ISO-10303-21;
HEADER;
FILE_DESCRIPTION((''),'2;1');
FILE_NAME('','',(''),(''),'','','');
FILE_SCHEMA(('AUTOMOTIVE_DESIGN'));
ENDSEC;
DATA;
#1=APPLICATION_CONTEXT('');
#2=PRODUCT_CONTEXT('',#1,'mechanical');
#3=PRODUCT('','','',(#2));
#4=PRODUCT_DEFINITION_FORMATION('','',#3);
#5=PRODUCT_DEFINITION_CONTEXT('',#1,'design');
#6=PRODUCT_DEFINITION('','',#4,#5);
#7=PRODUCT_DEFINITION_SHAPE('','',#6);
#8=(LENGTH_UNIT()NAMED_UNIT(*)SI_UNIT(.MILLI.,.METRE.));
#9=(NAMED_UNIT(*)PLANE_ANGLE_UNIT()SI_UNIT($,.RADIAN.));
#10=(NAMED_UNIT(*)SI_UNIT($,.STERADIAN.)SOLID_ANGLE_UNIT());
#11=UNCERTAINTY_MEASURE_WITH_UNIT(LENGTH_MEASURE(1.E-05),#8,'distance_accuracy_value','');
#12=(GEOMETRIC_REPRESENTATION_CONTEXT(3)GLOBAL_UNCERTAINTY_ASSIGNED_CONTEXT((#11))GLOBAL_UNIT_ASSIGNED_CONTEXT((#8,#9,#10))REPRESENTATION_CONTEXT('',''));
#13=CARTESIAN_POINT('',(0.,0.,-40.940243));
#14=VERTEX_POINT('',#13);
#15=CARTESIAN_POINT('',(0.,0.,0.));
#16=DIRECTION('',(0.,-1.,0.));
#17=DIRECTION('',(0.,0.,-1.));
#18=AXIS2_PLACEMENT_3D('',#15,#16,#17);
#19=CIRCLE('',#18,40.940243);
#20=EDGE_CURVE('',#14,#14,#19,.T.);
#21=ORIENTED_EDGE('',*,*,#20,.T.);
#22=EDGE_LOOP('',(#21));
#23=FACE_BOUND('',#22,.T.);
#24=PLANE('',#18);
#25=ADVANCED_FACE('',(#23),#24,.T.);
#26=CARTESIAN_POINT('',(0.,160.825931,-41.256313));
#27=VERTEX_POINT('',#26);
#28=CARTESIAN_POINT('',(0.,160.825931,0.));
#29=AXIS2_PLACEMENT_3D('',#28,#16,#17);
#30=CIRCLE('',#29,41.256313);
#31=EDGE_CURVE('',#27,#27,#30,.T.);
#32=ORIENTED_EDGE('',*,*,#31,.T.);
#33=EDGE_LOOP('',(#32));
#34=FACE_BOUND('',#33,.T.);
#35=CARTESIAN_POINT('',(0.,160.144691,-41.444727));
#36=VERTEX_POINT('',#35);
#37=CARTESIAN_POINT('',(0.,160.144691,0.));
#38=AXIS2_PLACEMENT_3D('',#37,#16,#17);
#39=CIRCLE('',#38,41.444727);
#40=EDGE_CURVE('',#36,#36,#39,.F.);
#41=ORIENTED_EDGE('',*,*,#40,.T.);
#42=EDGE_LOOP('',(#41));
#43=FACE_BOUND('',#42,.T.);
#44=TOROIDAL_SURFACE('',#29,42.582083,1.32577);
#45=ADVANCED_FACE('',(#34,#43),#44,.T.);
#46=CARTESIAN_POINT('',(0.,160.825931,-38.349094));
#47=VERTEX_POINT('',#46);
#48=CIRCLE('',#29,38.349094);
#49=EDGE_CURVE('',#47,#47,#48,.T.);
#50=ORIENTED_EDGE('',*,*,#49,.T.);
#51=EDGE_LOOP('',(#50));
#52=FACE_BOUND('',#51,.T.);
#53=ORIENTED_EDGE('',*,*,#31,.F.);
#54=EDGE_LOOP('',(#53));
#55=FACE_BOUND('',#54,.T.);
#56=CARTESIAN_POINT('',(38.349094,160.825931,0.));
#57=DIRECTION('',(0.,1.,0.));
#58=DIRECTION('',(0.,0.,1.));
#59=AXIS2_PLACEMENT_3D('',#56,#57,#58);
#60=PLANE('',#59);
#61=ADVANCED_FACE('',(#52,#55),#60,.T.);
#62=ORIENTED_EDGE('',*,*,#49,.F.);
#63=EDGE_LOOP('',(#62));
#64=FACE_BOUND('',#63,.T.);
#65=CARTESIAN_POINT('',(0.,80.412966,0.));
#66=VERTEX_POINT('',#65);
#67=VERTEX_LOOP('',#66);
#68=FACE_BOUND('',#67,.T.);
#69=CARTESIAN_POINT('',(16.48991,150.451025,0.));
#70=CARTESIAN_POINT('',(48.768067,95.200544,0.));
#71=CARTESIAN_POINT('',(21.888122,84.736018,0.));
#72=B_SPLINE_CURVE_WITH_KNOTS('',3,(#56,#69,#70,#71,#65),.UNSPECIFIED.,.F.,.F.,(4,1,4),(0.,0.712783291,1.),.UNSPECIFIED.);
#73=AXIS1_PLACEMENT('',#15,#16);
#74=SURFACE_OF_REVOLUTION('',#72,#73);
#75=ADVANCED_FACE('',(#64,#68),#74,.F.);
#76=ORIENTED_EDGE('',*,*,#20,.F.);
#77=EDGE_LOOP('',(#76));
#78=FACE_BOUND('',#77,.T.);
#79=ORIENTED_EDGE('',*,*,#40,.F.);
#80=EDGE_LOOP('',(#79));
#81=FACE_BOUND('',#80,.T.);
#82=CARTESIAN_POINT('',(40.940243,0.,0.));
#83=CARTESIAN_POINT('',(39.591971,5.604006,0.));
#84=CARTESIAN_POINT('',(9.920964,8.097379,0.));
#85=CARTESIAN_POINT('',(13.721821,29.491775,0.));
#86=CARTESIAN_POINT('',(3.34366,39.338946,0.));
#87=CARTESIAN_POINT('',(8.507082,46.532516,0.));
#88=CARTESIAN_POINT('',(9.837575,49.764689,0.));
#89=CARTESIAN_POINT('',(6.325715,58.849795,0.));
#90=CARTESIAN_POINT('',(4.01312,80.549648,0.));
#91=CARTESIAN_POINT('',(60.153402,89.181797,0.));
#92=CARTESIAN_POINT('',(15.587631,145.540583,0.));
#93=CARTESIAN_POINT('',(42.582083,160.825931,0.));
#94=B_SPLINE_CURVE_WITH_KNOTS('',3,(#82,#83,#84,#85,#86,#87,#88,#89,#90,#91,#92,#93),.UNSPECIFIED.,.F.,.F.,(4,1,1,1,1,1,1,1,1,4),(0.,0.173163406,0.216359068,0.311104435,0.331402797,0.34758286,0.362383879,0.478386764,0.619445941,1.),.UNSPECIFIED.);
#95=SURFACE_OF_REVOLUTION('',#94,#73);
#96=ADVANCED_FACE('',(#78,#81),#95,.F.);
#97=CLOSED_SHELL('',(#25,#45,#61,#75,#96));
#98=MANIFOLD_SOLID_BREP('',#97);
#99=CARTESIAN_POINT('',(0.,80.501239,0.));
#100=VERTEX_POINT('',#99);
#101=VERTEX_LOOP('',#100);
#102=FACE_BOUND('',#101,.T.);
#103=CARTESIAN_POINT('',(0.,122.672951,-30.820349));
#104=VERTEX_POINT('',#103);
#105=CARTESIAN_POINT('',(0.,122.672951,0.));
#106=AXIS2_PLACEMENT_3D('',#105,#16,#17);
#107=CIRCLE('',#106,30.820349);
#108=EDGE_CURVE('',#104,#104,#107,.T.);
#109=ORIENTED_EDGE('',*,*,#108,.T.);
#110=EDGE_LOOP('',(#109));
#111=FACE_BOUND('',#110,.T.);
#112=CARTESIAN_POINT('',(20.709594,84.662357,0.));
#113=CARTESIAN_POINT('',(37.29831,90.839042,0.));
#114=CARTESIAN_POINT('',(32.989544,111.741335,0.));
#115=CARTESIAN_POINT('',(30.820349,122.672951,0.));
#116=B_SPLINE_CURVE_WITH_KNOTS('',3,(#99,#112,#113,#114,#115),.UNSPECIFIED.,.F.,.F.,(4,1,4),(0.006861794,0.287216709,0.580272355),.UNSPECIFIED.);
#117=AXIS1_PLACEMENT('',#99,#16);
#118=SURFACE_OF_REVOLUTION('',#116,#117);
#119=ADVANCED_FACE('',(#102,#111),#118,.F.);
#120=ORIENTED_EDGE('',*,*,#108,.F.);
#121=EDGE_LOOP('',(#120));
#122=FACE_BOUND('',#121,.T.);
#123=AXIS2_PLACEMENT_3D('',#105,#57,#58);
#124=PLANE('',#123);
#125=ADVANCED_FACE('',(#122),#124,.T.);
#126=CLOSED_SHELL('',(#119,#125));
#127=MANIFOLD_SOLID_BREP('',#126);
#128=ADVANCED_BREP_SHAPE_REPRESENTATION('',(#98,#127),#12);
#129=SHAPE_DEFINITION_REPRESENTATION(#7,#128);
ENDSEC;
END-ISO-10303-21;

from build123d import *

# Parameters (mm, degrees)
SKETCH2_R = 1.325770192


with BuildPart() as part:
    # Sketch1 → Revolve1 (revolve)
    with BuildSketch(Plane.XY):
        with BuildLine():
            Line((0, 0), (40.940243325, 0))
            add(Edge.make_bspline(
                [(40.940243325, 0), (39.591971384, 5.604006032), (9.920963873, 8.097379369), (13.721820557, 29.491774751), (3.343659872, 39.338946132), (8.507081828, 46.532516314), (9.837574634, 49.764689361), (6.325714634, 58.849794746), (4.013119803, 80.549648054), (60.153402278, 89.18179733), (15.587631197, 145.54058315), (42.582083051, 160.825931112)],
                knots=[0, 0, 0, 0, 0.173163406, 0.216359068, 0.311104435, 0.331402797, 0.34758286, 0.362383879, 0.478386764, 0.619445941, 1, 1, 1, 1], degree=3))
            Line((42.582083051, 160.825931112), (38.349093822, 160.825931112))
            add(Edge.make_bspline(
                [(0, 80.412965556), (21.888121574, 84.736018247), (48.768067019, 95.20054366), (16.489910143, 150.451024937), (38.349093822, 160.825931112)],
                knots=[0, 0, 0, 0, 0.287216709, 1, 1, 1, 1], degree=3))
            Line((0, 80.412965556), (0, 0))
        make_face()
    revolve(axis=Axis((0, 0, 0), (0, 1, 0)))

    # Sketch2 → Revolve2 (revolve)
    with BuildSketch(Plane.XY, mode=Mode.PRIVATE) as revolve2_sk:
        with Locations((42.582083051, 160.825931112)):
            Circle(SKETCH2_R)
    revolve(revolve2_sk.sketch.rotate(Axis((0, 114.193365513, 0), (0, 1, 0)), 90), axis=Axis((0, 114.193365513, 0), (0, 1, 0)))


with BuildPart() as body_2:
    # Sketch6 → Revolve3 (revolve)
    with BuildSketch(Plane.XY, mode=Mode.PRIVATE) as revolve3_sk:
        with BuildLine():
            Line((0, 80.501238784), (0, 122.672950951))
            Line((0, 122.672950951), (30.820348629, 122.672950951))
            add(Edge.make_bspline(
                [(0, 80.501238784), (20.709593791, 84.66235695), (37.298310021, 90.839042275), (32.989544465, 111.741335174), (30.820348629, 122.672950951)],
                knots=[0.006861794, 0.006861794, 0.006861794, 0.006861794, 0.287216709, 0.580272355, 0.580272355, 0.580272355, 0.580272355], degree=3))
        make_face()
    revolve(revolve3_sk.sketch.rotate(Axis((0, 80.501238784, 0), (0, 1, 0)), 90), axis=Axis((0, 80.501238784, 0), (0, 1, 0)))


solid = Compound([part.part, body_2.part])
